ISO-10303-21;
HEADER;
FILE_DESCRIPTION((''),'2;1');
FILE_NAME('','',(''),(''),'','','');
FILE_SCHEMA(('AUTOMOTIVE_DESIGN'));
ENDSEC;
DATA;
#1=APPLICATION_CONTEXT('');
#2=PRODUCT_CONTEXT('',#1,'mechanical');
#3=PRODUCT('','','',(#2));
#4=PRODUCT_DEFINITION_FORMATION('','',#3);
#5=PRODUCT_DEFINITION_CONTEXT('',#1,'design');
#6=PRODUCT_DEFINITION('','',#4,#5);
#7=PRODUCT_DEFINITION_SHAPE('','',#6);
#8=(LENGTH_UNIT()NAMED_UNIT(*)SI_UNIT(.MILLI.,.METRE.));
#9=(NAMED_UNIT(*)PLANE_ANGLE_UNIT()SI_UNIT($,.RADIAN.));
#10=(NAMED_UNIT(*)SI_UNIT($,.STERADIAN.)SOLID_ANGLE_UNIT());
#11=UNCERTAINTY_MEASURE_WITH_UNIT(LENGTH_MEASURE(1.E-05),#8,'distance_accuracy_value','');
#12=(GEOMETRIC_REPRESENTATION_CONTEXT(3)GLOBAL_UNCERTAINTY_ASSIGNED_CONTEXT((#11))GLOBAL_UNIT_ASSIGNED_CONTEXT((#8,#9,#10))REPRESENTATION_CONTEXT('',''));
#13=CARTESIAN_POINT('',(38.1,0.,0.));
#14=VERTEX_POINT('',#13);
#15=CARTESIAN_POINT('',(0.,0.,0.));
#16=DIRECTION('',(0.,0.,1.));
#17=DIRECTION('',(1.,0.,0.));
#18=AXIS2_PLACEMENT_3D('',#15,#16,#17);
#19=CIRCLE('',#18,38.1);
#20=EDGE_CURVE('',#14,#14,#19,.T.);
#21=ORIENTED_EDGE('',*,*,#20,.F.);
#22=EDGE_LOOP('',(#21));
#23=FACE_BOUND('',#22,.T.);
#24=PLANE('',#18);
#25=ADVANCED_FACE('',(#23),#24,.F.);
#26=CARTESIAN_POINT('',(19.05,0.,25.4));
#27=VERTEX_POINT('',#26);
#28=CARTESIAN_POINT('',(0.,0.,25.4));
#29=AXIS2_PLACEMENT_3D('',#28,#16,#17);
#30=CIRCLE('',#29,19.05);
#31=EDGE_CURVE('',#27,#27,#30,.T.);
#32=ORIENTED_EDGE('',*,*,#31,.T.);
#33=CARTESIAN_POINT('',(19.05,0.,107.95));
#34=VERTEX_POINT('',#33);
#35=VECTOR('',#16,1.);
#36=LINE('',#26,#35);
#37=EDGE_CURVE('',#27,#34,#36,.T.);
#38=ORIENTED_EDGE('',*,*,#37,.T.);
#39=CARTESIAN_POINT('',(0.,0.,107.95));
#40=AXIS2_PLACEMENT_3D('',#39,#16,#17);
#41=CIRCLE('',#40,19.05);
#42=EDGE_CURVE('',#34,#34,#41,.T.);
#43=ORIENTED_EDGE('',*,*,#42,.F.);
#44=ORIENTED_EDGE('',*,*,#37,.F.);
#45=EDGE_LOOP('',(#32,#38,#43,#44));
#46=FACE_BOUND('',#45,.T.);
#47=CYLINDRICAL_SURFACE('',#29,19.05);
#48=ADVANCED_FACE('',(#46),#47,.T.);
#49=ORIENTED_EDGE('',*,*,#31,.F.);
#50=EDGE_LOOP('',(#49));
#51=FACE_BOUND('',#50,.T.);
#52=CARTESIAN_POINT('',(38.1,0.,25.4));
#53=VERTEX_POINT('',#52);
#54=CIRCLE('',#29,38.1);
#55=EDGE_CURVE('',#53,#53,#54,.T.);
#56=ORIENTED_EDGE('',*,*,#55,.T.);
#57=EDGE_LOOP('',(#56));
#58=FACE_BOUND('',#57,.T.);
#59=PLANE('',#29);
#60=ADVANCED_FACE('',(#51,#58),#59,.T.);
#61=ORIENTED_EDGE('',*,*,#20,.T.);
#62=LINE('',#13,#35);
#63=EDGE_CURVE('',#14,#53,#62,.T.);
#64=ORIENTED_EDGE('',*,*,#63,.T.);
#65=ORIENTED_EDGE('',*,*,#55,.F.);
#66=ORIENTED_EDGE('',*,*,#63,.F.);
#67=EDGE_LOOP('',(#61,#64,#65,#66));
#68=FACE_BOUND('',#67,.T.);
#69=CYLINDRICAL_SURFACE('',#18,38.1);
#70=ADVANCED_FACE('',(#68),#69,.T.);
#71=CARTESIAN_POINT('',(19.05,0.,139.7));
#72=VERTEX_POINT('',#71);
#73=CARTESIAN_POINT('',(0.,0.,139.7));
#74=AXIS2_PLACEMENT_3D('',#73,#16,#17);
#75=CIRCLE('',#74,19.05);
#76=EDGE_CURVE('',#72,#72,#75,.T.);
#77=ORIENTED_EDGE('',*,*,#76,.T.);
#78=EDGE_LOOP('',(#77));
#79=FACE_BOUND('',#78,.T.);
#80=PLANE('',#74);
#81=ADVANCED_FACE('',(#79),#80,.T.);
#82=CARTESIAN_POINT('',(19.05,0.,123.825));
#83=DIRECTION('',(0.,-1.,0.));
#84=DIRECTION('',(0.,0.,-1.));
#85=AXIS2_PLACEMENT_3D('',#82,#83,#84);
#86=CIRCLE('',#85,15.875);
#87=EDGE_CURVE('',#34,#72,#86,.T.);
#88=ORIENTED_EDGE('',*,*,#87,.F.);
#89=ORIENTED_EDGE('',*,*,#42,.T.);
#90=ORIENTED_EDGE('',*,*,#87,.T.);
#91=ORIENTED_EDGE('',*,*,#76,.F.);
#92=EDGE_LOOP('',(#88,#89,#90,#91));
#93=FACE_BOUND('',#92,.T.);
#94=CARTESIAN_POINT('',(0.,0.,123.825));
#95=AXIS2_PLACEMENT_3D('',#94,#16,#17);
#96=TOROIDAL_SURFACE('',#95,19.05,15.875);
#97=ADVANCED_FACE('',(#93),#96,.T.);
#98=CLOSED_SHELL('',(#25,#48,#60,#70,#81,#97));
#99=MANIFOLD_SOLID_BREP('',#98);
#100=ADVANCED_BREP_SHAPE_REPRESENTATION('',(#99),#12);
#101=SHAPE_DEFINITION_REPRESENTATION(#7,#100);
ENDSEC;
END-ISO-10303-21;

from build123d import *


with BuildPart() as f1:
    # F0 (on Front) → F1 (revolve)
    with BuildSketch(Plane.XZ):
        Polygon((0, 139.7), (0, 0), (38.1, 0), (38.1, 25.4), (19.05, 25.4), (19.05, 107.95), (19.05, 139.7), align=None)
        with BuildLine():
            ThreePointArc((19.05, 107.95), (34.925, 123.825), (19.05, 139.7))
            Line((19.05, 139.7), (19.05, 107.95))
        make_face()
    revolve(axis=Axis((0, 0, 82.55), (0, 0, 1)))


solid = f1.part
